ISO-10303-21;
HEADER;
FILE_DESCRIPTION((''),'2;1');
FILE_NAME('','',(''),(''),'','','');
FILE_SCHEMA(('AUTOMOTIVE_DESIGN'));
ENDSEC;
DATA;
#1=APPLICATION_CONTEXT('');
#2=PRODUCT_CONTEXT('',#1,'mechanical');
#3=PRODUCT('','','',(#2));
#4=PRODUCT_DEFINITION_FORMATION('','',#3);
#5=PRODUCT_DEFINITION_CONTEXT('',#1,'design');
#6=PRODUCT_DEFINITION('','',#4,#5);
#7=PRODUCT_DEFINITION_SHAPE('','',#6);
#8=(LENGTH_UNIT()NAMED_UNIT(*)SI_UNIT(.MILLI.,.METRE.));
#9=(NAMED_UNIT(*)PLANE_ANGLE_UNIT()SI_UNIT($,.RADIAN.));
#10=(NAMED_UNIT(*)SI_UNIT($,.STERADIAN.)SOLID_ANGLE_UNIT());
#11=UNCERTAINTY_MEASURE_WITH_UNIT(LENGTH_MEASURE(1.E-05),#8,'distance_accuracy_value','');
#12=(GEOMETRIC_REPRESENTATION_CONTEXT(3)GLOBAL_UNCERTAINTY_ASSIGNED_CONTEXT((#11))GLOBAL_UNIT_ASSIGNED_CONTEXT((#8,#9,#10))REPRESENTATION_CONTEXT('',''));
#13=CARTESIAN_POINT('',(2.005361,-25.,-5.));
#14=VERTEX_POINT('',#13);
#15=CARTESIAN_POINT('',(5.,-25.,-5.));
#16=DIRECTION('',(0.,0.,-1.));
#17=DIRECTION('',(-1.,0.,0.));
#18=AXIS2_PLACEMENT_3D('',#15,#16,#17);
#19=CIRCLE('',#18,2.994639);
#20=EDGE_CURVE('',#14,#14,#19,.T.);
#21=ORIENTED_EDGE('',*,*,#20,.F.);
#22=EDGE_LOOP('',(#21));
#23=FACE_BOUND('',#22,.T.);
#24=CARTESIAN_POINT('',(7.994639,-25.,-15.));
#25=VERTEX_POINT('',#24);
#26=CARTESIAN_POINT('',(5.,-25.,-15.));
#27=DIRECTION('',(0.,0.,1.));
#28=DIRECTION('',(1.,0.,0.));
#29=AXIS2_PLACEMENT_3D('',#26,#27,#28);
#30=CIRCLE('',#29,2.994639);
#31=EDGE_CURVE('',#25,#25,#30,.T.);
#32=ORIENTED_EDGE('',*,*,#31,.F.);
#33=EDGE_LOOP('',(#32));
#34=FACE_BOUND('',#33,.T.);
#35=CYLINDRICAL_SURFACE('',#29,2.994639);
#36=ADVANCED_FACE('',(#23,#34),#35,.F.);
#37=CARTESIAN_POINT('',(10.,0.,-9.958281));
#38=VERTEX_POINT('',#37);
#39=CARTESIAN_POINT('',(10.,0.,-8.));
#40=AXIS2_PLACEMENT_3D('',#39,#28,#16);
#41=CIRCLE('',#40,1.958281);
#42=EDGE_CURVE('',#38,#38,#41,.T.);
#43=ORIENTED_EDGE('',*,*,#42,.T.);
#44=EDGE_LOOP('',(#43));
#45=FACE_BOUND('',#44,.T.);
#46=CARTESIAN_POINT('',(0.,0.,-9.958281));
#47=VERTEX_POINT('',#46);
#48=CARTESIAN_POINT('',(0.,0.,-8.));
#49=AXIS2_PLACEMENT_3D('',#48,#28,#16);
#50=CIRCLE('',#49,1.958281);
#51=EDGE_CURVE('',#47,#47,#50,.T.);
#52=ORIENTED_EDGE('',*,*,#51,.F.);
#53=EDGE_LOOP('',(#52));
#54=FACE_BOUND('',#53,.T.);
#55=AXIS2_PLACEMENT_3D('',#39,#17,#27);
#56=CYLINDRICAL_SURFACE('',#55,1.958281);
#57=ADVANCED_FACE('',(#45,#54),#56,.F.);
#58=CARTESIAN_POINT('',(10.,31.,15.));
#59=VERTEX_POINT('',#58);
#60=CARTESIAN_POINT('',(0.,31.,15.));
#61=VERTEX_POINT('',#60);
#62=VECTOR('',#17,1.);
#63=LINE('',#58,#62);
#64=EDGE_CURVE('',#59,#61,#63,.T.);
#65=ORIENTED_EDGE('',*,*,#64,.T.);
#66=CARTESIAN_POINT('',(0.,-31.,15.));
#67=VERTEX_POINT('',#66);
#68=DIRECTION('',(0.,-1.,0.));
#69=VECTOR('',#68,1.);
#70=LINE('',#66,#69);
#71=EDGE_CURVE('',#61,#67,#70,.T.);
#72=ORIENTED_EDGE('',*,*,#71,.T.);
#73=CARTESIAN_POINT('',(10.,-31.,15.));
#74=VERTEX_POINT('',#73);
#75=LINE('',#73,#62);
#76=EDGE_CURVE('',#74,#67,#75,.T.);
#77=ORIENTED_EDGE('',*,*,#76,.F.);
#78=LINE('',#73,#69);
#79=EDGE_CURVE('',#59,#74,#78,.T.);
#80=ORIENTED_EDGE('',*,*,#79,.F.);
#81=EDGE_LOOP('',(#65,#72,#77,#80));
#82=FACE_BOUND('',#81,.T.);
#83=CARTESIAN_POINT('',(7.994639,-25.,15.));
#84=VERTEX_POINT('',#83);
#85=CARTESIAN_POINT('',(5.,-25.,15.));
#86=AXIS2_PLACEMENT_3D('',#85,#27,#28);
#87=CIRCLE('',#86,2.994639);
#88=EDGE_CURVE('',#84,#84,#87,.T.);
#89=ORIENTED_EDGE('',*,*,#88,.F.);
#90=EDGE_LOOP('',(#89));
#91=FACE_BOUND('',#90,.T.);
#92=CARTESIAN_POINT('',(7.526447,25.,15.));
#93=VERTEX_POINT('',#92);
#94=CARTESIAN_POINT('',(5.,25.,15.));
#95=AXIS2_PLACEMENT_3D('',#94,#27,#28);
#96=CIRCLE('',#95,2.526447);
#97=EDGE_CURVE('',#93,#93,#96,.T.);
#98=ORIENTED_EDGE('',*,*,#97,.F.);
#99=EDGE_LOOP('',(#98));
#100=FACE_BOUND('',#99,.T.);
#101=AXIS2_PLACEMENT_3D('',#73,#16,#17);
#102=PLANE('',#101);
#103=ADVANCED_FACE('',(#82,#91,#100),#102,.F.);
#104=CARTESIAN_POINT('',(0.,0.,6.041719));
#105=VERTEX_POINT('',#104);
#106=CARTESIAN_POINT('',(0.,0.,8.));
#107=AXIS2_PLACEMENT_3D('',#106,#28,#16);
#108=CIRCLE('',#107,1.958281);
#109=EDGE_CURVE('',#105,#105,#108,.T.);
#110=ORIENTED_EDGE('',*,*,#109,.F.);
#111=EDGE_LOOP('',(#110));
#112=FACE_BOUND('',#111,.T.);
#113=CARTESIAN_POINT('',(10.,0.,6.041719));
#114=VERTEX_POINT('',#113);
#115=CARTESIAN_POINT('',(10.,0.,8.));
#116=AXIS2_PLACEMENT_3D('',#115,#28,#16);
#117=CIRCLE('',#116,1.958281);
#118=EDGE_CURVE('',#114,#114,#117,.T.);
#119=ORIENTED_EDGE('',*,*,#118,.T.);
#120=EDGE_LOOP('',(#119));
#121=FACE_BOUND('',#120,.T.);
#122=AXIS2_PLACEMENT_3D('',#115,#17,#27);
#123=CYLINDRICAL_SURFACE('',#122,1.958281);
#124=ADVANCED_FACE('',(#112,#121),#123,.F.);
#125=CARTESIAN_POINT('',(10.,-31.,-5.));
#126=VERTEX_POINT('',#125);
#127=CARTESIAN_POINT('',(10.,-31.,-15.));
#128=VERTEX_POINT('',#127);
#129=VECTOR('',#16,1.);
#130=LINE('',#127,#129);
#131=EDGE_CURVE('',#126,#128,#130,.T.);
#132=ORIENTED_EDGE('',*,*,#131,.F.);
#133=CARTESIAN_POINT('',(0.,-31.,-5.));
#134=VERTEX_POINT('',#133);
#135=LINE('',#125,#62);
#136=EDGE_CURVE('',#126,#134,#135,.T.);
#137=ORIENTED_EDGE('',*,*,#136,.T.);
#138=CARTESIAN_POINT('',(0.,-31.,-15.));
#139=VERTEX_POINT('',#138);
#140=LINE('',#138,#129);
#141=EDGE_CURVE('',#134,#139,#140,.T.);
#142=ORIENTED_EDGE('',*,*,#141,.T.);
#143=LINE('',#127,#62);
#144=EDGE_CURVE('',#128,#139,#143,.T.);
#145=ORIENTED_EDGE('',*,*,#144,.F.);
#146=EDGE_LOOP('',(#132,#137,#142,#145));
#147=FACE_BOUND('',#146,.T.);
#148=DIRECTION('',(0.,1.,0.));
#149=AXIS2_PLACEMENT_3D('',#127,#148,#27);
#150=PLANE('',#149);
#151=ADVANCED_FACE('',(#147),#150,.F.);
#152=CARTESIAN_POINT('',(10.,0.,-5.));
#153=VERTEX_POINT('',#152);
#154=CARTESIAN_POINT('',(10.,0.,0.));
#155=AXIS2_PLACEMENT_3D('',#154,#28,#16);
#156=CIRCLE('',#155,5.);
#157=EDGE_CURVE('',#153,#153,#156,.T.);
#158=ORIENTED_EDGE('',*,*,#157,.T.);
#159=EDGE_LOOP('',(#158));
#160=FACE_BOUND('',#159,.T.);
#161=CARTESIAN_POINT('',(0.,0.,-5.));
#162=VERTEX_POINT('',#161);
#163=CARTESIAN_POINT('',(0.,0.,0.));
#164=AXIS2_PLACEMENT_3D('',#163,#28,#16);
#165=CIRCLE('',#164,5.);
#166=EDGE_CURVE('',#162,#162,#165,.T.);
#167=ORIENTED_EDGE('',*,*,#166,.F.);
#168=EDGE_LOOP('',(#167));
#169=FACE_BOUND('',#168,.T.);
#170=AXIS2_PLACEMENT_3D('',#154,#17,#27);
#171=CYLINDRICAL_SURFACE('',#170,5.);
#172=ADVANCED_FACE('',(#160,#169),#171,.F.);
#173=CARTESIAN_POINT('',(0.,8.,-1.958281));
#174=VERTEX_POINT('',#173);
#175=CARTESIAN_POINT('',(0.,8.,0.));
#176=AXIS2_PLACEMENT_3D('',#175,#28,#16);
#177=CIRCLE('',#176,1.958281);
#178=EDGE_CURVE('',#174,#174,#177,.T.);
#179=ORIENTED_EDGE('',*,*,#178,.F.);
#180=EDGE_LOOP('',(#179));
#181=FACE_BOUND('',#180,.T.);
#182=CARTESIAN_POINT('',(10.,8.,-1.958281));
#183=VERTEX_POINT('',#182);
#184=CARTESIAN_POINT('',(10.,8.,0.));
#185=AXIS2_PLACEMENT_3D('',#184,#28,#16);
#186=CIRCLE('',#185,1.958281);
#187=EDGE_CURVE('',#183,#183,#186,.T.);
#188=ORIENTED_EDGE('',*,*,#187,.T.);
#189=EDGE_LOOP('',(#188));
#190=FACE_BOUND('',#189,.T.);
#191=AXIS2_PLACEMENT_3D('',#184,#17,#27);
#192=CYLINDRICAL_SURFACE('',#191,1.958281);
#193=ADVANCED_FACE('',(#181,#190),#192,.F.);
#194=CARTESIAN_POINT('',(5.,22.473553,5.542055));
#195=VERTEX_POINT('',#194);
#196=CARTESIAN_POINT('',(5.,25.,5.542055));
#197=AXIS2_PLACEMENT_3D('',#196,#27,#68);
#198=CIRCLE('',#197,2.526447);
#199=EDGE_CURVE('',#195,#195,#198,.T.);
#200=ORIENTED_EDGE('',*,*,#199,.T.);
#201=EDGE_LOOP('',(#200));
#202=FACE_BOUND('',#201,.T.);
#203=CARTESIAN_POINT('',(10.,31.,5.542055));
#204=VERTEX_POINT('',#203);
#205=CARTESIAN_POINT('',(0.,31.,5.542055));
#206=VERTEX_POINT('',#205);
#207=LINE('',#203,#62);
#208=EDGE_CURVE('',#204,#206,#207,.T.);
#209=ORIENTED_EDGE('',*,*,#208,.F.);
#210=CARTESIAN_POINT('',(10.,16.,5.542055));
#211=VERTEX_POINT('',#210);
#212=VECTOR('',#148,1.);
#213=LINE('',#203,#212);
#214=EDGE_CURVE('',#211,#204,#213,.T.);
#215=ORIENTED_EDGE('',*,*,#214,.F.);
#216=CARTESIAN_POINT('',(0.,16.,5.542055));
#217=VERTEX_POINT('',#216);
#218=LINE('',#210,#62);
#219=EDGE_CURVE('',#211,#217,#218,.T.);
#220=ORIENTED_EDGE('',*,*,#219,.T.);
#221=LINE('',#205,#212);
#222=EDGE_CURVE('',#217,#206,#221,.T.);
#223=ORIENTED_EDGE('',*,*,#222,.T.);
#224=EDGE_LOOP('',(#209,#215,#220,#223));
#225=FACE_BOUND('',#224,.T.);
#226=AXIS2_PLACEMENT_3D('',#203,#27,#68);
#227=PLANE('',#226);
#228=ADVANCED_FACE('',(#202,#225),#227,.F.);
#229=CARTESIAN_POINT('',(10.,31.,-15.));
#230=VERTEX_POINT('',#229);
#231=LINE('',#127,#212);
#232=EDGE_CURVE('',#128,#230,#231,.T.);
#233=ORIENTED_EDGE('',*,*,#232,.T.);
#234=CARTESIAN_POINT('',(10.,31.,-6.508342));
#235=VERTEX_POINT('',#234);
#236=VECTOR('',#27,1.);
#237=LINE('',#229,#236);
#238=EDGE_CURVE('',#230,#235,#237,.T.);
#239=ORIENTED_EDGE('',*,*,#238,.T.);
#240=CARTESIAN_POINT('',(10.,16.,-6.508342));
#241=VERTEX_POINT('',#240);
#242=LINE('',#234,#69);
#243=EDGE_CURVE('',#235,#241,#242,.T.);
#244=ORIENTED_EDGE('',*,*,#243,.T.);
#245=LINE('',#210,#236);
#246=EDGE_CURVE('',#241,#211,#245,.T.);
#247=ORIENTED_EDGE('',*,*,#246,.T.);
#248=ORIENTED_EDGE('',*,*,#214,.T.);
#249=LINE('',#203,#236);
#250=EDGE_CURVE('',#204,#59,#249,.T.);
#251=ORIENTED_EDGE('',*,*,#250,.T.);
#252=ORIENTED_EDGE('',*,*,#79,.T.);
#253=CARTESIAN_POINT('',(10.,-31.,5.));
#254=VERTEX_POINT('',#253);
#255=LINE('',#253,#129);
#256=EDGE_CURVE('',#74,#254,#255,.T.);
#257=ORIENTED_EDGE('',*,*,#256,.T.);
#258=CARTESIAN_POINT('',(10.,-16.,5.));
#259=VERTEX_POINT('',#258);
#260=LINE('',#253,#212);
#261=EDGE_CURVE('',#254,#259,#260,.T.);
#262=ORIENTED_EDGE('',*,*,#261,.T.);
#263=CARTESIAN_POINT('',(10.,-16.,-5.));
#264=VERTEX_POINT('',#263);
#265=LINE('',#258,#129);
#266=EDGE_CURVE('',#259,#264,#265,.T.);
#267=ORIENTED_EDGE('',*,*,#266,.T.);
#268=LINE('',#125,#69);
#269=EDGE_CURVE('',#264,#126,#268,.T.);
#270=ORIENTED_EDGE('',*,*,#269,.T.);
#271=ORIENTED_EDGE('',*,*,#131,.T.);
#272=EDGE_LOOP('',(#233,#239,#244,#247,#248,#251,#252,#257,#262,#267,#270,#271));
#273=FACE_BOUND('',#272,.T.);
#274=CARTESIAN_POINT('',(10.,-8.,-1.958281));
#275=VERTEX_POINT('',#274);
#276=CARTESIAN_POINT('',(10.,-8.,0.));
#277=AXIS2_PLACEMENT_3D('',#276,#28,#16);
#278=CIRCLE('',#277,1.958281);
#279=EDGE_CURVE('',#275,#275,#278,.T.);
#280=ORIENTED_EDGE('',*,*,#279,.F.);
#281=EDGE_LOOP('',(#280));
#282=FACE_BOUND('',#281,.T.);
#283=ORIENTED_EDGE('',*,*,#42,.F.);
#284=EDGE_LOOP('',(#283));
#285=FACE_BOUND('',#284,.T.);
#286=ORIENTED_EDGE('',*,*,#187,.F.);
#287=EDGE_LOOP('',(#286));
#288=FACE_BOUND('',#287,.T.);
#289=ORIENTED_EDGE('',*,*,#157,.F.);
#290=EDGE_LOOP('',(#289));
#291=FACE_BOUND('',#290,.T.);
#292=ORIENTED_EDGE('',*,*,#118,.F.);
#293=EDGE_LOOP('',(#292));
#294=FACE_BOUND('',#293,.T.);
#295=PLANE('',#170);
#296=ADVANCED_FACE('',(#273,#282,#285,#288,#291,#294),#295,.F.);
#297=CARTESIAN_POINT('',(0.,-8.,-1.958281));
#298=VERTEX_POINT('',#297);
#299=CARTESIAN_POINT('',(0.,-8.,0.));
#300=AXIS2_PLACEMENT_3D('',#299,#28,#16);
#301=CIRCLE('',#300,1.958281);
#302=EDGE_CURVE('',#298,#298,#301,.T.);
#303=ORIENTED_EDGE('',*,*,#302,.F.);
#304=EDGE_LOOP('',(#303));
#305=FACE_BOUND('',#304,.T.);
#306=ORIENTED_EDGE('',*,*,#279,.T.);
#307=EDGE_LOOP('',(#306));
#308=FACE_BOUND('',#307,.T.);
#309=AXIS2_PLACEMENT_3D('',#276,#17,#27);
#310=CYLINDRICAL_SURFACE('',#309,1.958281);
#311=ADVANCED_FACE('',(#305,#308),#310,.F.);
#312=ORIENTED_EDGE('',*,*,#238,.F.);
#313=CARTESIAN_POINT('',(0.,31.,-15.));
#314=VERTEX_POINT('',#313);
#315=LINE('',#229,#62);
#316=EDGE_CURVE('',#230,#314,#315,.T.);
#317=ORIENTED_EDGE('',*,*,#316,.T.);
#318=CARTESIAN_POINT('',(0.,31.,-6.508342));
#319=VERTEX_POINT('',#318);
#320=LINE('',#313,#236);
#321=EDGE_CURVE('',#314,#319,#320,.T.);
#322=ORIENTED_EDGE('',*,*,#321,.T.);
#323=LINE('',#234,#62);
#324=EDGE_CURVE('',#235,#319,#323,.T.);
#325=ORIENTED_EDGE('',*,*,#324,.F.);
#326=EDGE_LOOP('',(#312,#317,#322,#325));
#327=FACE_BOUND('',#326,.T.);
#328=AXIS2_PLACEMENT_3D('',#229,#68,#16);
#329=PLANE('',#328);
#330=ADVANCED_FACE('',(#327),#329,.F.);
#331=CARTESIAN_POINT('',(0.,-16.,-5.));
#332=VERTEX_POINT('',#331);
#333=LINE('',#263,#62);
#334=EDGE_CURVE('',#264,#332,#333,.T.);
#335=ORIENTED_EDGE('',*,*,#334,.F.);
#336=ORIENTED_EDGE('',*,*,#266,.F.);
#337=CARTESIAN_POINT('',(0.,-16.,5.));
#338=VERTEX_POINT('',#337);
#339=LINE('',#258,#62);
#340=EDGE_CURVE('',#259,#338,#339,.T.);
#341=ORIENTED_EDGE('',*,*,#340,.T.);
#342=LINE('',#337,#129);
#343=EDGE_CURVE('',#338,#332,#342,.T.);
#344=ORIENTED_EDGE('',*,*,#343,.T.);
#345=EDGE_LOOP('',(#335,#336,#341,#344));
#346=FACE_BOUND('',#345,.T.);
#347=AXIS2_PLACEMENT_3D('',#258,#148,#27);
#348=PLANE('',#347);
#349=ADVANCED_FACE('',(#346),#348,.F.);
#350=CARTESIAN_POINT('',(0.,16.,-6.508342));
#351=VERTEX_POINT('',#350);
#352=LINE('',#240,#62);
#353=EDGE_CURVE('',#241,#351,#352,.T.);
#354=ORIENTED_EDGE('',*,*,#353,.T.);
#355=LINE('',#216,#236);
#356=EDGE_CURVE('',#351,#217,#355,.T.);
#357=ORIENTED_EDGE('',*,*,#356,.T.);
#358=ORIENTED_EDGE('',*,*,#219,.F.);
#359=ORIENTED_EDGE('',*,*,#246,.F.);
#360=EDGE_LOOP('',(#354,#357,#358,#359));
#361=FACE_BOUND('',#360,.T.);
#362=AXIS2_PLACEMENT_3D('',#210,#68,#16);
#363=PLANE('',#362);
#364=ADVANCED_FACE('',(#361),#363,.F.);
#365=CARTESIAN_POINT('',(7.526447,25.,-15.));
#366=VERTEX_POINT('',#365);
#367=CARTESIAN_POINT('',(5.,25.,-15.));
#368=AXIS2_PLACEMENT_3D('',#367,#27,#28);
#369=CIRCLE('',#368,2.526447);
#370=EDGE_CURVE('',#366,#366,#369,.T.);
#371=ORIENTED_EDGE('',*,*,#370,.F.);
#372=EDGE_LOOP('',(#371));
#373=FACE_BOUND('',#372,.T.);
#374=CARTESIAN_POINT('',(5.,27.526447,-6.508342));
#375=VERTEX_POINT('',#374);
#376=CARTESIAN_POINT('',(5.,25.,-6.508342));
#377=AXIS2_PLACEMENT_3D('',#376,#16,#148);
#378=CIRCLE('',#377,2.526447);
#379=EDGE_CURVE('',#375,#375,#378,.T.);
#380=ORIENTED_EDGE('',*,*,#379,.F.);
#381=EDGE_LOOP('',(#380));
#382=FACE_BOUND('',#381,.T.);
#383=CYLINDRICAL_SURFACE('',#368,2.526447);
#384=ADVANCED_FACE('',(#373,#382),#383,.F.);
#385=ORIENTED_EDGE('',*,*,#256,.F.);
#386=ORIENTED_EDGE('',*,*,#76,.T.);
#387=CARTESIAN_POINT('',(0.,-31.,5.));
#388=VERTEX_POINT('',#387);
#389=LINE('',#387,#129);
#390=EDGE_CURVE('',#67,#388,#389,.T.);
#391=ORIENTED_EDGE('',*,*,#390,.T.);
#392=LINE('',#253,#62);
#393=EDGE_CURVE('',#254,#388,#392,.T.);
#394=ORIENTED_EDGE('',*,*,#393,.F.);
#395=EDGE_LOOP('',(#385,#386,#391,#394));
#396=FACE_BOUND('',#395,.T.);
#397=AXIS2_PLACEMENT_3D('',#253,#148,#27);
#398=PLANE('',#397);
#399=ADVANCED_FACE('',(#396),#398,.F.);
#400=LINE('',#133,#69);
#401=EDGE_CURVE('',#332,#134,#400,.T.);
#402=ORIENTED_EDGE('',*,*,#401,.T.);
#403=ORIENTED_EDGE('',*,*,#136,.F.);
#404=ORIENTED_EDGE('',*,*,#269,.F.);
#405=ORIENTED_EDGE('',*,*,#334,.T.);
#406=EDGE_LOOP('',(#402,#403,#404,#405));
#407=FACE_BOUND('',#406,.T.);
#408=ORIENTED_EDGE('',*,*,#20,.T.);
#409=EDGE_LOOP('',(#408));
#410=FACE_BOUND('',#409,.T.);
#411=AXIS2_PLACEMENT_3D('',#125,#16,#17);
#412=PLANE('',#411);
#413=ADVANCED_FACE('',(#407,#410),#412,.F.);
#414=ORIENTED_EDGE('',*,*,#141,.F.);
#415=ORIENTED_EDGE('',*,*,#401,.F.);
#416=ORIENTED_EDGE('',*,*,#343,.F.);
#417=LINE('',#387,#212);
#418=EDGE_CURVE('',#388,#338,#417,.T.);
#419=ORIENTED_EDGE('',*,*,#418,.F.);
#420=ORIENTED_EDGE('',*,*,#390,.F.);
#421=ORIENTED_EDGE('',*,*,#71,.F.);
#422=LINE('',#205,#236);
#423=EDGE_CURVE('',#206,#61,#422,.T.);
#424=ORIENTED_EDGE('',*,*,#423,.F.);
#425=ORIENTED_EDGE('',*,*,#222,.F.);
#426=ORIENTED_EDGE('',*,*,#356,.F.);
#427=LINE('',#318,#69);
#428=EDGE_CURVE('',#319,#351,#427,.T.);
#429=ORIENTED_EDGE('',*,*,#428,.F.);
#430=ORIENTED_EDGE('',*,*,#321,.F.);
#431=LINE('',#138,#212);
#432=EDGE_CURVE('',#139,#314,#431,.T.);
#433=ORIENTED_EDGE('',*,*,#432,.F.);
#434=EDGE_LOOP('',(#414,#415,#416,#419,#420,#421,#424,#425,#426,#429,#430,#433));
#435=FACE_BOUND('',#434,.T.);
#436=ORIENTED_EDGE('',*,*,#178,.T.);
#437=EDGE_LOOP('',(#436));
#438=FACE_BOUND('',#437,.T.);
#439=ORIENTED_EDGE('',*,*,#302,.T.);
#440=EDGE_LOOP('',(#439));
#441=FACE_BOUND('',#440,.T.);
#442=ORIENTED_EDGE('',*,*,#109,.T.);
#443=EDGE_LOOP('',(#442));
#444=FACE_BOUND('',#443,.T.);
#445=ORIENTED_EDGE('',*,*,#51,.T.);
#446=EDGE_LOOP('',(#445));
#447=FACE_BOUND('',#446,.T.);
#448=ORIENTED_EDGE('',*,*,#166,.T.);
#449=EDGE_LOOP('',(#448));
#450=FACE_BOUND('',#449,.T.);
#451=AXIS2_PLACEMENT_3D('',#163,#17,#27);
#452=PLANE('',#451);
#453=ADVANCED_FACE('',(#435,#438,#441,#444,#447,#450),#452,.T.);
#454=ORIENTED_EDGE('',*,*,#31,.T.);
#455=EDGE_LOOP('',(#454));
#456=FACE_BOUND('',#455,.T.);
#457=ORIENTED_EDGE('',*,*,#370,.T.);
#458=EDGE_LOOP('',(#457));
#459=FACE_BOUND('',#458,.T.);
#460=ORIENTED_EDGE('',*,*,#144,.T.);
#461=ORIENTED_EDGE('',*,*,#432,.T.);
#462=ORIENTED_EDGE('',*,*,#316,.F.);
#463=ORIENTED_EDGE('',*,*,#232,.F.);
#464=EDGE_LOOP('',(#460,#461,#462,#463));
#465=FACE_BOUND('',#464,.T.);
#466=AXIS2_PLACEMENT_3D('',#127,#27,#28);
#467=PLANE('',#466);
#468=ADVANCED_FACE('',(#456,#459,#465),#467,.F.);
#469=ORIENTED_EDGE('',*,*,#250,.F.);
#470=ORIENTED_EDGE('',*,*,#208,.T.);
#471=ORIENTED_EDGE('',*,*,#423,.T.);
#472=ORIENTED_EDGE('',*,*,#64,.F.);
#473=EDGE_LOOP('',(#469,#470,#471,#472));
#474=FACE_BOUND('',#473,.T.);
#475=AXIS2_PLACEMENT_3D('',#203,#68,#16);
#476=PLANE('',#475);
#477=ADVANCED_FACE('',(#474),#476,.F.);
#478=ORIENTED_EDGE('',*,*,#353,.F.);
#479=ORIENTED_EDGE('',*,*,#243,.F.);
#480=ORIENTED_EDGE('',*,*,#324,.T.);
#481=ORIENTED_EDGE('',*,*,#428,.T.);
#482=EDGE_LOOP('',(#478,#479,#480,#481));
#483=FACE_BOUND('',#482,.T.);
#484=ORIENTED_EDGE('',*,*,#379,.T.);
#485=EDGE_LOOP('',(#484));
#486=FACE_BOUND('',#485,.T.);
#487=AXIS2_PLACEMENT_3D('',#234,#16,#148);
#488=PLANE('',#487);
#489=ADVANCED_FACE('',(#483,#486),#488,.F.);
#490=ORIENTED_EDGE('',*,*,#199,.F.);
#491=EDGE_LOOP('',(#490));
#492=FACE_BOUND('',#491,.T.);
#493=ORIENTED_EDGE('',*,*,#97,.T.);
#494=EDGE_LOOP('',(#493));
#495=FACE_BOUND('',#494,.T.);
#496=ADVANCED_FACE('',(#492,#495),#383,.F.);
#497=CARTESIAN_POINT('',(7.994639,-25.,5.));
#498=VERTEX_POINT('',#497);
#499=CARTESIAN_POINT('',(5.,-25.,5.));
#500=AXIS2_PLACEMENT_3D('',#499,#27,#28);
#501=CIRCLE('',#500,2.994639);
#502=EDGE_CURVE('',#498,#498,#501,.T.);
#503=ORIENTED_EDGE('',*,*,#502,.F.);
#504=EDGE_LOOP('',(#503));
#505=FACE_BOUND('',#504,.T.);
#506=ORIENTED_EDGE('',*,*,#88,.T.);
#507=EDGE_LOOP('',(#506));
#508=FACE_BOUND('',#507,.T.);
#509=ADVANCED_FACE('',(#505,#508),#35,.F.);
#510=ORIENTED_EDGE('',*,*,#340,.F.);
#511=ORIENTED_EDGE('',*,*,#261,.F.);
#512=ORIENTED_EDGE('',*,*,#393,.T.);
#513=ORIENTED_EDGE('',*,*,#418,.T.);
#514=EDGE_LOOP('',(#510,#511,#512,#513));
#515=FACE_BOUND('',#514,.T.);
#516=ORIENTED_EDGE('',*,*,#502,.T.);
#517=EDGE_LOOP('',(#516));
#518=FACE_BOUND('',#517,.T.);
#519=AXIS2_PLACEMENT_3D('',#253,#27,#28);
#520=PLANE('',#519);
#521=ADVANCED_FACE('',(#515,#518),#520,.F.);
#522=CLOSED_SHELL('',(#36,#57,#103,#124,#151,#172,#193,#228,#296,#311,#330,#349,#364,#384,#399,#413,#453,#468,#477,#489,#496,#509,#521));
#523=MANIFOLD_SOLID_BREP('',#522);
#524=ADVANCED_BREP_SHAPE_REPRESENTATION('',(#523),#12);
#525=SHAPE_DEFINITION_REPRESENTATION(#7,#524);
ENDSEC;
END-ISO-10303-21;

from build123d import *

# Parameters (mm, degrees)
CROQUIS1_R              = 5
CROQUIS1_R_2            = 1.95828143
SALIENTE_EXTRUIR1_DEPTH = 10
CROQUIS2_R              = 2.526447491
CROQUIS2_R_2            = 2.994638929
CORTAR_EXTRUIR1_DEPTH   = 45.283179651


with BuildPart() as part:
    # Croquis1 → Saliente-Extruir1 (new body)
    with BuildSketch(Plane(origin=(0, 0, 0), x_dir=(0, 0, -1), z_dir=(1, 0, 0))):
        Polygon((15, -31), (5, -31), (5, -16), (-5, -16), (-5, -31), (-15, -31), (-15, 31), (-5.542055275, 31), (-5.542055275, 16), (6.50834207, 16), (6.50834207, 31), (15, 31), align=None)
        Circle(CROQUIS1_R, mode=Mode.SUBTRACT)
        with Locations((-8, 0)):
            Circle(CROQUIS1_R_2, mode=Mode.SUBTRACT)
        with Locations((0, 8)):
            Circle(CROQUIS1_R_2, mode=Mode.SUBTRACT)
        with Locations((8, 0)):
            Circle(CROQUIS1_R_2, mode=Mode.SUBTRACT)
        with Locations((0, -8)):
            Circle(CROQUIS1_R_2, mode=Mode.SUBTRACT)
    extrude(amount=SALIENTE_EXTRUIR1_DEPTH)

    # Croquis2 → Cortar-Extruir1 (cut, through all)
    with BuildSketch(Plane.XY.offset(15)):
        with Locations((5, 25)):
            Circle(CROQUIS2_R)
        with Locations((5, -25)):
            Circle(CROQUIS2_R_2)
    extrude(amount=-CORTAR_EXTRUIR1_DEPTH, mode=Mode.SUBTRACT)


solid = part.part
